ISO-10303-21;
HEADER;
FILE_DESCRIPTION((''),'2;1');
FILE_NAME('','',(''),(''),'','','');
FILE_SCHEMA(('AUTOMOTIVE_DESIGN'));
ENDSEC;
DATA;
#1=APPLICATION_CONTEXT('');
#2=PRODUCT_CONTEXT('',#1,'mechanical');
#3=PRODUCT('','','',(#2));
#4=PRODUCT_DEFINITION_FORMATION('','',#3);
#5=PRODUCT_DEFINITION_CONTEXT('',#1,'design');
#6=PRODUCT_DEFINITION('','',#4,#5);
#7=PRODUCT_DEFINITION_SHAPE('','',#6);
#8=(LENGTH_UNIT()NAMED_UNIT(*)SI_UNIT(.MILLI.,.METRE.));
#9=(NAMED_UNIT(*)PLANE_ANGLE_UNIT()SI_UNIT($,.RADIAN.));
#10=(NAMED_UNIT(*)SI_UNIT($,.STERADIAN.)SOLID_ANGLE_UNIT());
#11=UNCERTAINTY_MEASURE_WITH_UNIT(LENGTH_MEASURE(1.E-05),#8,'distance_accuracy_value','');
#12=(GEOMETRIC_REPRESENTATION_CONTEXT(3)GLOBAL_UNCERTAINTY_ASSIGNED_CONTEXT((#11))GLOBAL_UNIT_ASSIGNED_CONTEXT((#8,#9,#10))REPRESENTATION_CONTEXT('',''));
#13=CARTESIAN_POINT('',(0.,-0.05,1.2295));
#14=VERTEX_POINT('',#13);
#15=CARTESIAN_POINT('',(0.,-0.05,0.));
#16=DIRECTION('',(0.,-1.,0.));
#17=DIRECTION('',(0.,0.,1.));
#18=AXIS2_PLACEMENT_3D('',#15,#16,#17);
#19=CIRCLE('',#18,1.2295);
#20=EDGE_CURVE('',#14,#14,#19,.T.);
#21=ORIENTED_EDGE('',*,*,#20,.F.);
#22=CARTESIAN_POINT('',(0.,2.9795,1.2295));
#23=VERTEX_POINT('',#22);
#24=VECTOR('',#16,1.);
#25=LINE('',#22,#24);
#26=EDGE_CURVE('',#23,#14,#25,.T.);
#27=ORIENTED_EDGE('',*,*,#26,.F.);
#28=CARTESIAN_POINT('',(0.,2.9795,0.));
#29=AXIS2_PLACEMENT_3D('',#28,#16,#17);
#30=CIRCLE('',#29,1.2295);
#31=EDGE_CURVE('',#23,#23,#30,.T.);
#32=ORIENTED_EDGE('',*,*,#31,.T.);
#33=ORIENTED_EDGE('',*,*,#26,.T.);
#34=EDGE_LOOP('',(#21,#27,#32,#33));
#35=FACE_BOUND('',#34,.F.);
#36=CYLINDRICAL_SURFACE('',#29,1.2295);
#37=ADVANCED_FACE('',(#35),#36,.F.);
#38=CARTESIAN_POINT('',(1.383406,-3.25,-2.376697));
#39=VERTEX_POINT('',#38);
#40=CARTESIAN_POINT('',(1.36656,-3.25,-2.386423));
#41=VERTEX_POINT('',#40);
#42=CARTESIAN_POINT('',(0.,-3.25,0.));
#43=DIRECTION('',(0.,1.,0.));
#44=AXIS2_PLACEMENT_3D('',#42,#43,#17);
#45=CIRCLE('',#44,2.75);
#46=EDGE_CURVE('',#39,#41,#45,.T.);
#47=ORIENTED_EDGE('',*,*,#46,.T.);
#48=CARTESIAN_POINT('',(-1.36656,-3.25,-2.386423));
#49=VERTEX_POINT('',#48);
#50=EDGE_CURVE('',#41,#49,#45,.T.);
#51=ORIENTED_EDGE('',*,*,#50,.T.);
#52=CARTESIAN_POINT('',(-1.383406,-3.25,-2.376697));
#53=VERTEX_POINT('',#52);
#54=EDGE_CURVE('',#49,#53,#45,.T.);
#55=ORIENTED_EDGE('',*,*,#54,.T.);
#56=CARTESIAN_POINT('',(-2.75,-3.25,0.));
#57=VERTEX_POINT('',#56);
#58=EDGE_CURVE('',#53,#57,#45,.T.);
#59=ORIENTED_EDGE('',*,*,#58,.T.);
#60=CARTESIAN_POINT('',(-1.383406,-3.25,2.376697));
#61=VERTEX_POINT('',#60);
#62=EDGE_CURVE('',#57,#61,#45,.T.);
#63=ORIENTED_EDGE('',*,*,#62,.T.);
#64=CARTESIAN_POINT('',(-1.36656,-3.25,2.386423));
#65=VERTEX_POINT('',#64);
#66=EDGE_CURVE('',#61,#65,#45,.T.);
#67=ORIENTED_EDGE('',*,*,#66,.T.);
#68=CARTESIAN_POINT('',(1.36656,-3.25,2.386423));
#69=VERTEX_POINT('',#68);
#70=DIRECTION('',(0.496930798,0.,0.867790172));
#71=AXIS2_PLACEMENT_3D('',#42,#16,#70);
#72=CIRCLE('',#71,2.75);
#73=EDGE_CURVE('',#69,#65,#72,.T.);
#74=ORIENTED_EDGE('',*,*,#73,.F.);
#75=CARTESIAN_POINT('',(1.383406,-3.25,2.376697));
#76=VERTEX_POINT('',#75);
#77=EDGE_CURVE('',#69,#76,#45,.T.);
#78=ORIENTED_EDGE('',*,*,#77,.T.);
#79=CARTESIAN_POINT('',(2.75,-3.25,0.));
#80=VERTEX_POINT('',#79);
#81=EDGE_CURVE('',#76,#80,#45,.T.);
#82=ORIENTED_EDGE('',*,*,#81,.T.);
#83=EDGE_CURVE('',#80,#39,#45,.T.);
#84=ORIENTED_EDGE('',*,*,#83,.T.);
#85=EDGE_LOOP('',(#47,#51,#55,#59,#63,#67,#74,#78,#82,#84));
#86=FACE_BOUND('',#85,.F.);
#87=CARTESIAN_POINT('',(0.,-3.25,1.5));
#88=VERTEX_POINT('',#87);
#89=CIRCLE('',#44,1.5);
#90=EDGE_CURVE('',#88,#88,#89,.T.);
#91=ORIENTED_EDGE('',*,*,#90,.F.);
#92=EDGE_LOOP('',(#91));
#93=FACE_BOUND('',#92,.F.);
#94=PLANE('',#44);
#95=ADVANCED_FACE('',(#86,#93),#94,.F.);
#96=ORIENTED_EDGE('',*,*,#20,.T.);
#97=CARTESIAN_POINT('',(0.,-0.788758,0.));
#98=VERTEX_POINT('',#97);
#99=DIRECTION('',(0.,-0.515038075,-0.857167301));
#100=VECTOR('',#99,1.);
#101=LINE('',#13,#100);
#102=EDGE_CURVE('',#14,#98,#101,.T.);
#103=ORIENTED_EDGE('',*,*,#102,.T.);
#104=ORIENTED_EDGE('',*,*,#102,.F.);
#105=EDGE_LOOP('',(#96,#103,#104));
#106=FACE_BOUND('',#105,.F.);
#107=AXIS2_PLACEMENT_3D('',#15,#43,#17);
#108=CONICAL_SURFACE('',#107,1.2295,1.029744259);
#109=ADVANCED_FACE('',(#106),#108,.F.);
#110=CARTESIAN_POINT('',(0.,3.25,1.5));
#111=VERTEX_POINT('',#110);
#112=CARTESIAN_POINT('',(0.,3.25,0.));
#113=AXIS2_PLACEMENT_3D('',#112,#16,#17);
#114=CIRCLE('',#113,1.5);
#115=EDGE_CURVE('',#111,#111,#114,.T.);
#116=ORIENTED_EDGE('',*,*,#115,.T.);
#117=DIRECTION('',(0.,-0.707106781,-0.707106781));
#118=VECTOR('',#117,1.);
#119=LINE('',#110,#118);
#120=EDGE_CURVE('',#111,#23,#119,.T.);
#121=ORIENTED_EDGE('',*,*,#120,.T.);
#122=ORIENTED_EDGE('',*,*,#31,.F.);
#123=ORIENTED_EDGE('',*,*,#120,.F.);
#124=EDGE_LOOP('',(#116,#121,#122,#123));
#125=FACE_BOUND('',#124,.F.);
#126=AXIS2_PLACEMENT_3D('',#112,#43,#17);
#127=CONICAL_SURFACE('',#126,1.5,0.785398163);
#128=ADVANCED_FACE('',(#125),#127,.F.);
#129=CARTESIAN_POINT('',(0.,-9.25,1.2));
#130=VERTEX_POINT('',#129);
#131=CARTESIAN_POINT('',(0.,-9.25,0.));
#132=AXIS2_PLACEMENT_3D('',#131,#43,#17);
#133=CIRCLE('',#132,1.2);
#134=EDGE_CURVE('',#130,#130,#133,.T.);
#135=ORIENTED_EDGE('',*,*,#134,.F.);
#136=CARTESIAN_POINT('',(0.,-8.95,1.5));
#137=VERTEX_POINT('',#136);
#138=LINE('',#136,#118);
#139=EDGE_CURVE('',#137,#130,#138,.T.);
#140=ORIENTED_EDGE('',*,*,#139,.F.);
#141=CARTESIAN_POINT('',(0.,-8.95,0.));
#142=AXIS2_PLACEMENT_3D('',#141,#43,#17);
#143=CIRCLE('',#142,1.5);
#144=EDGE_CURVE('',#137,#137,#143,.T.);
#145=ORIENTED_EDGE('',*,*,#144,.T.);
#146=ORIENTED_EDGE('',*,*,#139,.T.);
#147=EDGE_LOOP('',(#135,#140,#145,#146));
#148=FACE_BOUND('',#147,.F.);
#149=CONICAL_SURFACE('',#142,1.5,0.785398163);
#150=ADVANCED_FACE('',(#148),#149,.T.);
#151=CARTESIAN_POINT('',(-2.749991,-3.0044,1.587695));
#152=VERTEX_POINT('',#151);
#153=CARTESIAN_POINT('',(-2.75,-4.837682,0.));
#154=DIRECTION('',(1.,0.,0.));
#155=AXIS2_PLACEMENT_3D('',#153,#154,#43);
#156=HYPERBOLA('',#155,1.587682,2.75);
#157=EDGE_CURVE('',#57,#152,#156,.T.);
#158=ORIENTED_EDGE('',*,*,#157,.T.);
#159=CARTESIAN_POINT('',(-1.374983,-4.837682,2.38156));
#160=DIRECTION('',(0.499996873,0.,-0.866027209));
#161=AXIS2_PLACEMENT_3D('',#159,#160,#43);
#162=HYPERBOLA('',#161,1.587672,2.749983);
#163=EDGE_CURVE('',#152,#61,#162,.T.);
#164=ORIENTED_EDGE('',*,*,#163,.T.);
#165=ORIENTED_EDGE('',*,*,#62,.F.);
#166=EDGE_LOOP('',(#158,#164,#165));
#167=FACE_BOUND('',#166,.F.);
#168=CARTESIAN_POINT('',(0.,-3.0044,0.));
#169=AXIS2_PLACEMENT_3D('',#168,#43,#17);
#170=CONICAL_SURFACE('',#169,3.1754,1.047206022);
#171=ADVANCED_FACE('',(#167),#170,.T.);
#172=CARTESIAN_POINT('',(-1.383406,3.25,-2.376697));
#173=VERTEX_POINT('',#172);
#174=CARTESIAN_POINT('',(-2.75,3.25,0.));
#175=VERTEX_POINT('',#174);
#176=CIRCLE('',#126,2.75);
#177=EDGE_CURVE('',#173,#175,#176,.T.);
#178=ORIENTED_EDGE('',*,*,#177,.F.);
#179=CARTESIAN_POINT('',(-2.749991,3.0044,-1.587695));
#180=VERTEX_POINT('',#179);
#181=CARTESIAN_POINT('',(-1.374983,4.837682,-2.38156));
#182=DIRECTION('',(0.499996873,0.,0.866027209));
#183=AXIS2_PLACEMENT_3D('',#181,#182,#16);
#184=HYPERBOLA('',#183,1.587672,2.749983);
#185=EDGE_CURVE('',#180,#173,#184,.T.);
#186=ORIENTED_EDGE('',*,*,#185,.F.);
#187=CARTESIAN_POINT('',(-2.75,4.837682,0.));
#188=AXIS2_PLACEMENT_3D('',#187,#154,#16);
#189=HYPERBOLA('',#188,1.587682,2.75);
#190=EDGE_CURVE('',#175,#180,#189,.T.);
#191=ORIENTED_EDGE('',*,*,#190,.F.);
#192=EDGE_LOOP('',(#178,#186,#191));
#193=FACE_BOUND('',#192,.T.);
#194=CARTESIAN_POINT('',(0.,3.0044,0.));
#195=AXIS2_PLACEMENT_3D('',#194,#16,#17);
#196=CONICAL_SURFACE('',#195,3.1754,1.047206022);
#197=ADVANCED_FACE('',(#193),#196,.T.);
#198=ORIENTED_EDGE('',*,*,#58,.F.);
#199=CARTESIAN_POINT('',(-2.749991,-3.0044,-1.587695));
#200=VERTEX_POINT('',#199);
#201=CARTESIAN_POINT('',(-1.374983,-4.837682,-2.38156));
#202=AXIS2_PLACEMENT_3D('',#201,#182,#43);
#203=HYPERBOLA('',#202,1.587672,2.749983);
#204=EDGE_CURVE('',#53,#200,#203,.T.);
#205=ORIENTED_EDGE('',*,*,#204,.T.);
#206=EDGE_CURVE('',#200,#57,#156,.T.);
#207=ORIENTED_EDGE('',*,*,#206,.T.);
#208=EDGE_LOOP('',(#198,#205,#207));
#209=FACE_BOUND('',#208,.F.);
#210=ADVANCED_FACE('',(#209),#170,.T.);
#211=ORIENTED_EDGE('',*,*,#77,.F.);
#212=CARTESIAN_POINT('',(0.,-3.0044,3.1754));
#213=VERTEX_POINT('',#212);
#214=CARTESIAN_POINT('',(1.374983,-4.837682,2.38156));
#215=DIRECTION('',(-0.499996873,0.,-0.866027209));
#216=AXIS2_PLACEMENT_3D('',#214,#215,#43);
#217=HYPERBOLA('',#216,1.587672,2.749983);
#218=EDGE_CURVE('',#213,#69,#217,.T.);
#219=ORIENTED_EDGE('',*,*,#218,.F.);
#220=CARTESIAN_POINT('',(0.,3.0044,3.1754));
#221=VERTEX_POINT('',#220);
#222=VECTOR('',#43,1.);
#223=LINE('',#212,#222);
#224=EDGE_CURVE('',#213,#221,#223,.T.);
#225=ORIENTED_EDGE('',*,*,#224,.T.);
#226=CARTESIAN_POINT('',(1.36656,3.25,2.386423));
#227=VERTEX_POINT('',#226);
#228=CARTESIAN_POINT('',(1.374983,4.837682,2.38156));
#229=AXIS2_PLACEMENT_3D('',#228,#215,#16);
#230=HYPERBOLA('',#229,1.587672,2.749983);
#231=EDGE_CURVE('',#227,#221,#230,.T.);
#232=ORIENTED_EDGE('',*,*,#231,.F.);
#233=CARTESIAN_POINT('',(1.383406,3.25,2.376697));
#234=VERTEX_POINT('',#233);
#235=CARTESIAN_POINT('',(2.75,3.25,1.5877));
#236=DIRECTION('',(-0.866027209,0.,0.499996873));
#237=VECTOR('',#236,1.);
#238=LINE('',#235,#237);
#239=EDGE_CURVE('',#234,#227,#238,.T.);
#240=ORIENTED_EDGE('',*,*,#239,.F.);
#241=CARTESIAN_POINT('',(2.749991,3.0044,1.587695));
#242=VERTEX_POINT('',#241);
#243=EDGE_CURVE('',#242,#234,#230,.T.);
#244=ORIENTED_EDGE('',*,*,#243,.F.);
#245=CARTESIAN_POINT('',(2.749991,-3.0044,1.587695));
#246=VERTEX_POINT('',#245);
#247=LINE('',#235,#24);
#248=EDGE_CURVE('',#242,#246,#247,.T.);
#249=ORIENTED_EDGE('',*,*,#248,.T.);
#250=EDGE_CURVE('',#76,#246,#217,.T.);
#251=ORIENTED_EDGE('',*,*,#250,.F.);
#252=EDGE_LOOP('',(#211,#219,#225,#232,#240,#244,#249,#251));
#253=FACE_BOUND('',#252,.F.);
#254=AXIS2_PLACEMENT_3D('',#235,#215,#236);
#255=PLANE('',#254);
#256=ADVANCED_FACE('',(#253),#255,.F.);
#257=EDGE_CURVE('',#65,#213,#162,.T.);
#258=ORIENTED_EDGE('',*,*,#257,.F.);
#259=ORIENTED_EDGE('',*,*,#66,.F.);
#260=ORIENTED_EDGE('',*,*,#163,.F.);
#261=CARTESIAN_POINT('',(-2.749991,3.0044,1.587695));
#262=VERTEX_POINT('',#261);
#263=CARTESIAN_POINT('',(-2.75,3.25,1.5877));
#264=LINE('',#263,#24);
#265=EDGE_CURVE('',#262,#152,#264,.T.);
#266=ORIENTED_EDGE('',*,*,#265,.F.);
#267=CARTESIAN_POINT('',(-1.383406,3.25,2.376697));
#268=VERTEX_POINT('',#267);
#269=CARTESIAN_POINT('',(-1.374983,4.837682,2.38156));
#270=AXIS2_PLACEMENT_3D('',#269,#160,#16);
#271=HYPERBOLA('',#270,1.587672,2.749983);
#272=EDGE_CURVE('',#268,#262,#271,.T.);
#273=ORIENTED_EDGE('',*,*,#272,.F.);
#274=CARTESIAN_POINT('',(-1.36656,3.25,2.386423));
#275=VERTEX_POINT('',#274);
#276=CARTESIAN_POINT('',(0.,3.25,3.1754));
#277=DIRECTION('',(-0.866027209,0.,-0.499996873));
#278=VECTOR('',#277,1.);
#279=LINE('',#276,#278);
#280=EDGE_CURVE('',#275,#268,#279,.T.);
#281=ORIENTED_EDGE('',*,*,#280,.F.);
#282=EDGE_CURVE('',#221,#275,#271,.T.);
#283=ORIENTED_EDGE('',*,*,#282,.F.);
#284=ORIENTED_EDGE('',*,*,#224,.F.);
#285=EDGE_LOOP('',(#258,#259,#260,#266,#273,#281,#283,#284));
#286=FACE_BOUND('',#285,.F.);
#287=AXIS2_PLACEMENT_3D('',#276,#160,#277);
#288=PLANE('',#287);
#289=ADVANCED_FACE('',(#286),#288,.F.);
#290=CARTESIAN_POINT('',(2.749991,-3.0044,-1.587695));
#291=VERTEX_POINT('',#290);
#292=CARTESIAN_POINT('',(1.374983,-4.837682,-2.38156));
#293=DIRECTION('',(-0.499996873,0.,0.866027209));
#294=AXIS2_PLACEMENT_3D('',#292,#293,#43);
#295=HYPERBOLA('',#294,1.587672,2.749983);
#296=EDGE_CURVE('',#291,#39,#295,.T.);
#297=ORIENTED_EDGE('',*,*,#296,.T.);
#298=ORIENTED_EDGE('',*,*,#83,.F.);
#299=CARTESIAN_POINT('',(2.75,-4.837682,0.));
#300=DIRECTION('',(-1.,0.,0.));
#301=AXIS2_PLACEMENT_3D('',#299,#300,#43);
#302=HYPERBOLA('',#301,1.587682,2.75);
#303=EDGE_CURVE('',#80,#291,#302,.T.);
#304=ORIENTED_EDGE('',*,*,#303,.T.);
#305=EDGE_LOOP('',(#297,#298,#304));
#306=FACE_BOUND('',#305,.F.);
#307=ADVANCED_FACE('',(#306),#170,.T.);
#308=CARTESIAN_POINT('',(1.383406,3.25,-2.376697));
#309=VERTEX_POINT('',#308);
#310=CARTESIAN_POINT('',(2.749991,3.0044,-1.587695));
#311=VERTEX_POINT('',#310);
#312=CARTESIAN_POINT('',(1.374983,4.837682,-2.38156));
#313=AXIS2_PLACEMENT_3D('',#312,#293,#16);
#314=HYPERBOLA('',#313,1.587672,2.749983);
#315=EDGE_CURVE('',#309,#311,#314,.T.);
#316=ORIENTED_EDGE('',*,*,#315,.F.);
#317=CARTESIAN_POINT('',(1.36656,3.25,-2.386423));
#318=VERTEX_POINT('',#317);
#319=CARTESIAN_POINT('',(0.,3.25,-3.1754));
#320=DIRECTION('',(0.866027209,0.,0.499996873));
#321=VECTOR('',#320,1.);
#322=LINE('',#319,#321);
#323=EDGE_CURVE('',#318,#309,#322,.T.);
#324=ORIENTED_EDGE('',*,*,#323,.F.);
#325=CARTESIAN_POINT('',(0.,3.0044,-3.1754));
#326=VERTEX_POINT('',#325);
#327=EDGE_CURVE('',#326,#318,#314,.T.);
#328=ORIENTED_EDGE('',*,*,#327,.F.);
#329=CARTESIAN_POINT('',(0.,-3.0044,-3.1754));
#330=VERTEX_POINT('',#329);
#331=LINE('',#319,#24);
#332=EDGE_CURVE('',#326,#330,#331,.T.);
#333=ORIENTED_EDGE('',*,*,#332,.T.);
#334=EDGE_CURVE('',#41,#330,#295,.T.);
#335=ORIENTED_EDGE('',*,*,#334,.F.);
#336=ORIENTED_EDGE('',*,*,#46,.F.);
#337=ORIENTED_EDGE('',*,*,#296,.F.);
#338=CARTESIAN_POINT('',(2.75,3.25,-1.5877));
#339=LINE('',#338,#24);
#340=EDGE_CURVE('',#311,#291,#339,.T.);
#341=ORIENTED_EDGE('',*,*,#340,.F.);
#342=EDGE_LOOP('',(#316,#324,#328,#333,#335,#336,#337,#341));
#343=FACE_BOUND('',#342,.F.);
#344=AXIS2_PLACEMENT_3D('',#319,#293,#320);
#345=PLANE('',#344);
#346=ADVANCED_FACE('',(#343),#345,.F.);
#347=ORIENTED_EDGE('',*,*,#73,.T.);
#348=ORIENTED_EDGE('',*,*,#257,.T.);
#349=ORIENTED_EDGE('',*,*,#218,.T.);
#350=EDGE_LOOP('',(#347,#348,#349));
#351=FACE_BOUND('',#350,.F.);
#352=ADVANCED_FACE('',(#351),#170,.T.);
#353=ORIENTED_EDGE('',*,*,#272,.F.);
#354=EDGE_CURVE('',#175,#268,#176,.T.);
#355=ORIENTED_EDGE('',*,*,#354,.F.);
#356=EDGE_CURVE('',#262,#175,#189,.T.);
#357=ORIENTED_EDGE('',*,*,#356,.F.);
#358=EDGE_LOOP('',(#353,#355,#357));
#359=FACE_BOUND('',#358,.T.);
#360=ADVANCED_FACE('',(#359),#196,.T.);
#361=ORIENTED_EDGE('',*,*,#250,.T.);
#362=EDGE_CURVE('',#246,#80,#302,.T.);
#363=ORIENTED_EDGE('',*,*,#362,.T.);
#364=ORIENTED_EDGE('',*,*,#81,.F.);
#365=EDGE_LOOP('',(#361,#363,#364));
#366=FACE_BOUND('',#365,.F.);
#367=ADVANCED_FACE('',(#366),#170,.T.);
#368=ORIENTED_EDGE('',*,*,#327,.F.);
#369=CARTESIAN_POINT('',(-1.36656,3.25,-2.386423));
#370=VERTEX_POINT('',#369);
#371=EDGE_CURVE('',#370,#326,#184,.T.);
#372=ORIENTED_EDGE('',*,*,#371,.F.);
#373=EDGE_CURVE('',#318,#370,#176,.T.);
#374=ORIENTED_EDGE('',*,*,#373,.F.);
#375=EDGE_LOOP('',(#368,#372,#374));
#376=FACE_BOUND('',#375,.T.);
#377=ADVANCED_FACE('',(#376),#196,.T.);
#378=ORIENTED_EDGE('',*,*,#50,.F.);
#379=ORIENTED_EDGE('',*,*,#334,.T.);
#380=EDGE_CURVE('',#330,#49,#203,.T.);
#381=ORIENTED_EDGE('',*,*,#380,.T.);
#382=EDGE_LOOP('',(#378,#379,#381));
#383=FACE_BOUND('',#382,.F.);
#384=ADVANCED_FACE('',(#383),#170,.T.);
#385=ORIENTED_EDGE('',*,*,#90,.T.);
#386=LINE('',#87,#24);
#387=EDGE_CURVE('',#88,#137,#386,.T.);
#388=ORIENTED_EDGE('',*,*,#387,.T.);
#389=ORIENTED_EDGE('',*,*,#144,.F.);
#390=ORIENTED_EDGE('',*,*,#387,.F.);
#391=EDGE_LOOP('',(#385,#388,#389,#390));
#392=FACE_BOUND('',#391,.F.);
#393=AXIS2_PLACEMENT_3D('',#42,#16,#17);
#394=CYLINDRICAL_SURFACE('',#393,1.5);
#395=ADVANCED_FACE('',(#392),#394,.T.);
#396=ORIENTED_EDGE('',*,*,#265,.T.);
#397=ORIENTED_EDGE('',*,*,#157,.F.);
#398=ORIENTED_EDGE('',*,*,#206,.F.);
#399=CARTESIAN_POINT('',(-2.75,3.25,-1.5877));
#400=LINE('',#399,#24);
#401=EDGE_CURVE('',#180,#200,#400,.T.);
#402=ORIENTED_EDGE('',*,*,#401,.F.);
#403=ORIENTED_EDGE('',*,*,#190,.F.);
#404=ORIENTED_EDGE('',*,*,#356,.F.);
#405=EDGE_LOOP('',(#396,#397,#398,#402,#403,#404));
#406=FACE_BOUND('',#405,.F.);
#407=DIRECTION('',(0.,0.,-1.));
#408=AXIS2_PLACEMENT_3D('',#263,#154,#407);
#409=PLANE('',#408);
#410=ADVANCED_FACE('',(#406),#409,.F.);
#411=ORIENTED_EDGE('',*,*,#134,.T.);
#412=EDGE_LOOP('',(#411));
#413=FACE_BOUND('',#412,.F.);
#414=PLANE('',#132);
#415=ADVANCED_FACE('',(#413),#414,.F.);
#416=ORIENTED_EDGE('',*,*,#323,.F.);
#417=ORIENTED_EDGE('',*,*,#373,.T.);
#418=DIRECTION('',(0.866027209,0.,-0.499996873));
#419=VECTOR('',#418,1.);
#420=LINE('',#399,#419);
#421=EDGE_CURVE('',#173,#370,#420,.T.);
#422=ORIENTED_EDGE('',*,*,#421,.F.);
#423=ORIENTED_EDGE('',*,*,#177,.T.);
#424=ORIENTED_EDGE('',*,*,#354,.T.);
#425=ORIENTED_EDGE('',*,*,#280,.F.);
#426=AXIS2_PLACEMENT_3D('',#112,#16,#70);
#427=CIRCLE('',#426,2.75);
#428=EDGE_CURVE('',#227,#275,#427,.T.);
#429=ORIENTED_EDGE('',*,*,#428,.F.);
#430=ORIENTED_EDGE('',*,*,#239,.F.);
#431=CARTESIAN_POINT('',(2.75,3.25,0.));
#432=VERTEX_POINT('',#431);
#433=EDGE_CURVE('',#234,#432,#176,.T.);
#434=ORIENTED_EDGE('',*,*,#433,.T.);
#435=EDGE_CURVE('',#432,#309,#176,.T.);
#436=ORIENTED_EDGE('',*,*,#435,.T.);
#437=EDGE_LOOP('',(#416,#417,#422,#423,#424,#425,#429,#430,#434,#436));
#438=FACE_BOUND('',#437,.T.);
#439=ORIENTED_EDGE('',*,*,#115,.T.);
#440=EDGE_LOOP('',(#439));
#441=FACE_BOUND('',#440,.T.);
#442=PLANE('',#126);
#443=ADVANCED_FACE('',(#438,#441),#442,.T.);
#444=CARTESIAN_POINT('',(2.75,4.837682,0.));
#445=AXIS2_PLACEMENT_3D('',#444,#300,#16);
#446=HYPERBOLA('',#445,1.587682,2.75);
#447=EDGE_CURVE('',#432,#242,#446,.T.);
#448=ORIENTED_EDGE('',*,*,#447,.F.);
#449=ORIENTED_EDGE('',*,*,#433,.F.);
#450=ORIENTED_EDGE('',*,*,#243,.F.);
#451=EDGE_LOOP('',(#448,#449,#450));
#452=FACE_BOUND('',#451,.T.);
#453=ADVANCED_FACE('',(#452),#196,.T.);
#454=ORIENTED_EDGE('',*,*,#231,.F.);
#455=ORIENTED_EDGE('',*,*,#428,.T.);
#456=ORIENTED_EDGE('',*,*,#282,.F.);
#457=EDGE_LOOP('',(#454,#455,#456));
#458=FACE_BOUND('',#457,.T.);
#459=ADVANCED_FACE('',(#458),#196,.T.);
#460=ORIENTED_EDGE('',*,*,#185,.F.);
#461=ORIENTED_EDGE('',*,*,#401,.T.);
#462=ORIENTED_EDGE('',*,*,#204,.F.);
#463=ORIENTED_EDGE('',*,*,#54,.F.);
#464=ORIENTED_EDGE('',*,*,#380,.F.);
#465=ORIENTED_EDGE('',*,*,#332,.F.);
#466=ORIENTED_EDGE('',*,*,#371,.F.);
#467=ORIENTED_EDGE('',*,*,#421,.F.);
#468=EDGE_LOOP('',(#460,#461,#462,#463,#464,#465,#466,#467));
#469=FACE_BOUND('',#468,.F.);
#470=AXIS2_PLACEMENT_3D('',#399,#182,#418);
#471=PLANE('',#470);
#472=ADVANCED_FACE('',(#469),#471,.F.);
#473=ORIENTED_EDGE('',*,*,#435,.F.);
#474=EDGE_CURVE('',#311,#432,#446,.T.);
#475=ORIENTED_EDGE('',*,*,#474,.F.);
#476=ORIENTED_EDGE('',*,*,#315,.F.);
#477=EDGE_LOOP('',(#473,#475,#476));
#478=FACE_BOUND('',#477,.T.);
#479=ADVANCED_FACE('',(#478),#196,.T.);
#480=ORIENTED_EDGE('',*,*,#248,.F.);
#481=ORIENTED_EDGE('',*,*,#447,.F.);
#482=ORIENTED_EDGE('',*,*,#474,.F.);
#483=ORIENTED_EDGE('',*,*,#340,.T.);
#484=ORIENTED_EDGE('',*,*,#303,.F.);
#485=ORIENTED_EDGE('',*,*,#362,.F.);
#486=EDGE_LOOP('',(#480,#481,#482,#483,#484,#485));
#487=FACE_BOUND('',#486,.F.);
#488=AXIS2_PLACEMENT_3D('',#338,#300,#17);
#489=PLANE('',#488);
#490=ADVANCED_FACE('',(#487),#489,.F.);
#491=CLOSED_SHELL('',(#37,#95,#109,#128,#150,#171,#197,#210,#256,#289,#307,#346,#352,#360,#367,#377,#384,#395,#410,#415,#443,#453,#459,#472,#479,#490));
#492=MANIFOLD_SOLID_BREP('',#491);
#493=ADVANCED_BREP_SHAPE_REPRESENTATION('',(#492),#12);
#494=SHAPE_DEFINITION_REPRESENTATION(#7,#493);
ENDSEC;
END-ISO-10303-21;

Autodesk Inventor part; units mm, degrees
ref_plane "YZ Plane" through (0, 0, 0) normal (1, 0, 0) x (0, 1, 0)
ref_plane "XZ Plane" through (0, 0, 0) normal (0, 1, 0) x (-1, 0, 0)
ref_plane "XY Plane" through (0, 0, 0) normal (0, 0, 1) x (1, 0, 0)
sketch "スケッチ1" plane through (0, 0, 0) normal (1, 0, 0) x (0, 1, 0)
  line L0 (-3.25, 0) -> (3.25, 0)
  line L1 (0, 0) -> (0, 3.1754) construction
  line L2 (-3.0044, 3.1754) -> (-3.25, 2.75)
  line L3 (-3.25, 2.75) -> (-3.25, 0)
  line L4 (-3.0044, 3.1754) -> (3.0044, 3.1754)
  line L5 (3.0044, 3.1754) -> (3.25, 2.75)
  line L6 (3.25, 2.75) -> (3.25, 0)
  line L7 (-3.25, 1.5) -> (-8.95, 1.5)
  line L8 (-9.25, 1.2) -> (-9.25, 0)
  line L9 (-9.25, 0) -> (-3.25, 0)
  line L10 (-8.95, 1.5) -> (-9.25, 1.2)
  point P0 (3.25, 1.5)
  point P1 (-9.25, 1.5)
  dimension "d1" = 2.75
  dimension "d2" = 3.1754
  dimension "d3" = 30
  dimension "d4" = 6.5
  dimension "d18" = 6
  dimension "d19" = 3
  dimension "d22" = 0.3
  dimension "d23" = 0.3
revolve "回転1" add sketch "スケッチ1" angle 360 about axis through (0, -3.25, 0) along (0, 1, 0)
sketch "スケッチ2" plane through (0, 3.25, 0) normal (0, 1, 0) x (1, 0, 0)
  line L0 (0, -3.1754) -> (-2.75, -1.5877)
  line L1 (-2.75, -1.5877) -> (-2.75, 1.5877)
  line L2 (-2.75, 1.5877) -> (0, 3.1754)
  line L3 (0, 3.1754) -> (2.75, 1.5877)
  line L4 (2.75, 1.5877) -> (2.75, -1.5877)
  line L5 (2.75, -1.5877) -> (0, -3.1754)
  circle A0 centre (0, 0) radius 3.1754 projected
  point P0 (0, 0)
  point P1 (0, 0)
  point P2 (0, 0)
  point P3 (0, 0)
  point P4 (0, 3.1754)
  point P5 (0, 3.1754)
  point P6 (2.75, -1.5877)
  point P7 (2.75, -1.5877)
extrude "押し出し1" cut sketch "スケッチ2" against normal through all contours A0 L0 | L5 A0 | A0 L1 | L4 A0 | A0 L2 | L3 A0
hole "穴1" at (0, 3.25, 0) direction (0, -1, 0) diameter 2.459 depth 3.3 tip angle 118 countersink diameter 3 countersink angle 90 thread size "M3x0.5" class "6H" standard "ISO Metric profile"
thread "ねじ1" size "M3x0.5" class "6g" standard "ANSI Metric M Profile" full length
equation "\"d2\" = 1.1547 * d1"
equation "\"d23\" = d22"
properties part number "BSL-306.5BE" material "アセタール樹脂、黒"
